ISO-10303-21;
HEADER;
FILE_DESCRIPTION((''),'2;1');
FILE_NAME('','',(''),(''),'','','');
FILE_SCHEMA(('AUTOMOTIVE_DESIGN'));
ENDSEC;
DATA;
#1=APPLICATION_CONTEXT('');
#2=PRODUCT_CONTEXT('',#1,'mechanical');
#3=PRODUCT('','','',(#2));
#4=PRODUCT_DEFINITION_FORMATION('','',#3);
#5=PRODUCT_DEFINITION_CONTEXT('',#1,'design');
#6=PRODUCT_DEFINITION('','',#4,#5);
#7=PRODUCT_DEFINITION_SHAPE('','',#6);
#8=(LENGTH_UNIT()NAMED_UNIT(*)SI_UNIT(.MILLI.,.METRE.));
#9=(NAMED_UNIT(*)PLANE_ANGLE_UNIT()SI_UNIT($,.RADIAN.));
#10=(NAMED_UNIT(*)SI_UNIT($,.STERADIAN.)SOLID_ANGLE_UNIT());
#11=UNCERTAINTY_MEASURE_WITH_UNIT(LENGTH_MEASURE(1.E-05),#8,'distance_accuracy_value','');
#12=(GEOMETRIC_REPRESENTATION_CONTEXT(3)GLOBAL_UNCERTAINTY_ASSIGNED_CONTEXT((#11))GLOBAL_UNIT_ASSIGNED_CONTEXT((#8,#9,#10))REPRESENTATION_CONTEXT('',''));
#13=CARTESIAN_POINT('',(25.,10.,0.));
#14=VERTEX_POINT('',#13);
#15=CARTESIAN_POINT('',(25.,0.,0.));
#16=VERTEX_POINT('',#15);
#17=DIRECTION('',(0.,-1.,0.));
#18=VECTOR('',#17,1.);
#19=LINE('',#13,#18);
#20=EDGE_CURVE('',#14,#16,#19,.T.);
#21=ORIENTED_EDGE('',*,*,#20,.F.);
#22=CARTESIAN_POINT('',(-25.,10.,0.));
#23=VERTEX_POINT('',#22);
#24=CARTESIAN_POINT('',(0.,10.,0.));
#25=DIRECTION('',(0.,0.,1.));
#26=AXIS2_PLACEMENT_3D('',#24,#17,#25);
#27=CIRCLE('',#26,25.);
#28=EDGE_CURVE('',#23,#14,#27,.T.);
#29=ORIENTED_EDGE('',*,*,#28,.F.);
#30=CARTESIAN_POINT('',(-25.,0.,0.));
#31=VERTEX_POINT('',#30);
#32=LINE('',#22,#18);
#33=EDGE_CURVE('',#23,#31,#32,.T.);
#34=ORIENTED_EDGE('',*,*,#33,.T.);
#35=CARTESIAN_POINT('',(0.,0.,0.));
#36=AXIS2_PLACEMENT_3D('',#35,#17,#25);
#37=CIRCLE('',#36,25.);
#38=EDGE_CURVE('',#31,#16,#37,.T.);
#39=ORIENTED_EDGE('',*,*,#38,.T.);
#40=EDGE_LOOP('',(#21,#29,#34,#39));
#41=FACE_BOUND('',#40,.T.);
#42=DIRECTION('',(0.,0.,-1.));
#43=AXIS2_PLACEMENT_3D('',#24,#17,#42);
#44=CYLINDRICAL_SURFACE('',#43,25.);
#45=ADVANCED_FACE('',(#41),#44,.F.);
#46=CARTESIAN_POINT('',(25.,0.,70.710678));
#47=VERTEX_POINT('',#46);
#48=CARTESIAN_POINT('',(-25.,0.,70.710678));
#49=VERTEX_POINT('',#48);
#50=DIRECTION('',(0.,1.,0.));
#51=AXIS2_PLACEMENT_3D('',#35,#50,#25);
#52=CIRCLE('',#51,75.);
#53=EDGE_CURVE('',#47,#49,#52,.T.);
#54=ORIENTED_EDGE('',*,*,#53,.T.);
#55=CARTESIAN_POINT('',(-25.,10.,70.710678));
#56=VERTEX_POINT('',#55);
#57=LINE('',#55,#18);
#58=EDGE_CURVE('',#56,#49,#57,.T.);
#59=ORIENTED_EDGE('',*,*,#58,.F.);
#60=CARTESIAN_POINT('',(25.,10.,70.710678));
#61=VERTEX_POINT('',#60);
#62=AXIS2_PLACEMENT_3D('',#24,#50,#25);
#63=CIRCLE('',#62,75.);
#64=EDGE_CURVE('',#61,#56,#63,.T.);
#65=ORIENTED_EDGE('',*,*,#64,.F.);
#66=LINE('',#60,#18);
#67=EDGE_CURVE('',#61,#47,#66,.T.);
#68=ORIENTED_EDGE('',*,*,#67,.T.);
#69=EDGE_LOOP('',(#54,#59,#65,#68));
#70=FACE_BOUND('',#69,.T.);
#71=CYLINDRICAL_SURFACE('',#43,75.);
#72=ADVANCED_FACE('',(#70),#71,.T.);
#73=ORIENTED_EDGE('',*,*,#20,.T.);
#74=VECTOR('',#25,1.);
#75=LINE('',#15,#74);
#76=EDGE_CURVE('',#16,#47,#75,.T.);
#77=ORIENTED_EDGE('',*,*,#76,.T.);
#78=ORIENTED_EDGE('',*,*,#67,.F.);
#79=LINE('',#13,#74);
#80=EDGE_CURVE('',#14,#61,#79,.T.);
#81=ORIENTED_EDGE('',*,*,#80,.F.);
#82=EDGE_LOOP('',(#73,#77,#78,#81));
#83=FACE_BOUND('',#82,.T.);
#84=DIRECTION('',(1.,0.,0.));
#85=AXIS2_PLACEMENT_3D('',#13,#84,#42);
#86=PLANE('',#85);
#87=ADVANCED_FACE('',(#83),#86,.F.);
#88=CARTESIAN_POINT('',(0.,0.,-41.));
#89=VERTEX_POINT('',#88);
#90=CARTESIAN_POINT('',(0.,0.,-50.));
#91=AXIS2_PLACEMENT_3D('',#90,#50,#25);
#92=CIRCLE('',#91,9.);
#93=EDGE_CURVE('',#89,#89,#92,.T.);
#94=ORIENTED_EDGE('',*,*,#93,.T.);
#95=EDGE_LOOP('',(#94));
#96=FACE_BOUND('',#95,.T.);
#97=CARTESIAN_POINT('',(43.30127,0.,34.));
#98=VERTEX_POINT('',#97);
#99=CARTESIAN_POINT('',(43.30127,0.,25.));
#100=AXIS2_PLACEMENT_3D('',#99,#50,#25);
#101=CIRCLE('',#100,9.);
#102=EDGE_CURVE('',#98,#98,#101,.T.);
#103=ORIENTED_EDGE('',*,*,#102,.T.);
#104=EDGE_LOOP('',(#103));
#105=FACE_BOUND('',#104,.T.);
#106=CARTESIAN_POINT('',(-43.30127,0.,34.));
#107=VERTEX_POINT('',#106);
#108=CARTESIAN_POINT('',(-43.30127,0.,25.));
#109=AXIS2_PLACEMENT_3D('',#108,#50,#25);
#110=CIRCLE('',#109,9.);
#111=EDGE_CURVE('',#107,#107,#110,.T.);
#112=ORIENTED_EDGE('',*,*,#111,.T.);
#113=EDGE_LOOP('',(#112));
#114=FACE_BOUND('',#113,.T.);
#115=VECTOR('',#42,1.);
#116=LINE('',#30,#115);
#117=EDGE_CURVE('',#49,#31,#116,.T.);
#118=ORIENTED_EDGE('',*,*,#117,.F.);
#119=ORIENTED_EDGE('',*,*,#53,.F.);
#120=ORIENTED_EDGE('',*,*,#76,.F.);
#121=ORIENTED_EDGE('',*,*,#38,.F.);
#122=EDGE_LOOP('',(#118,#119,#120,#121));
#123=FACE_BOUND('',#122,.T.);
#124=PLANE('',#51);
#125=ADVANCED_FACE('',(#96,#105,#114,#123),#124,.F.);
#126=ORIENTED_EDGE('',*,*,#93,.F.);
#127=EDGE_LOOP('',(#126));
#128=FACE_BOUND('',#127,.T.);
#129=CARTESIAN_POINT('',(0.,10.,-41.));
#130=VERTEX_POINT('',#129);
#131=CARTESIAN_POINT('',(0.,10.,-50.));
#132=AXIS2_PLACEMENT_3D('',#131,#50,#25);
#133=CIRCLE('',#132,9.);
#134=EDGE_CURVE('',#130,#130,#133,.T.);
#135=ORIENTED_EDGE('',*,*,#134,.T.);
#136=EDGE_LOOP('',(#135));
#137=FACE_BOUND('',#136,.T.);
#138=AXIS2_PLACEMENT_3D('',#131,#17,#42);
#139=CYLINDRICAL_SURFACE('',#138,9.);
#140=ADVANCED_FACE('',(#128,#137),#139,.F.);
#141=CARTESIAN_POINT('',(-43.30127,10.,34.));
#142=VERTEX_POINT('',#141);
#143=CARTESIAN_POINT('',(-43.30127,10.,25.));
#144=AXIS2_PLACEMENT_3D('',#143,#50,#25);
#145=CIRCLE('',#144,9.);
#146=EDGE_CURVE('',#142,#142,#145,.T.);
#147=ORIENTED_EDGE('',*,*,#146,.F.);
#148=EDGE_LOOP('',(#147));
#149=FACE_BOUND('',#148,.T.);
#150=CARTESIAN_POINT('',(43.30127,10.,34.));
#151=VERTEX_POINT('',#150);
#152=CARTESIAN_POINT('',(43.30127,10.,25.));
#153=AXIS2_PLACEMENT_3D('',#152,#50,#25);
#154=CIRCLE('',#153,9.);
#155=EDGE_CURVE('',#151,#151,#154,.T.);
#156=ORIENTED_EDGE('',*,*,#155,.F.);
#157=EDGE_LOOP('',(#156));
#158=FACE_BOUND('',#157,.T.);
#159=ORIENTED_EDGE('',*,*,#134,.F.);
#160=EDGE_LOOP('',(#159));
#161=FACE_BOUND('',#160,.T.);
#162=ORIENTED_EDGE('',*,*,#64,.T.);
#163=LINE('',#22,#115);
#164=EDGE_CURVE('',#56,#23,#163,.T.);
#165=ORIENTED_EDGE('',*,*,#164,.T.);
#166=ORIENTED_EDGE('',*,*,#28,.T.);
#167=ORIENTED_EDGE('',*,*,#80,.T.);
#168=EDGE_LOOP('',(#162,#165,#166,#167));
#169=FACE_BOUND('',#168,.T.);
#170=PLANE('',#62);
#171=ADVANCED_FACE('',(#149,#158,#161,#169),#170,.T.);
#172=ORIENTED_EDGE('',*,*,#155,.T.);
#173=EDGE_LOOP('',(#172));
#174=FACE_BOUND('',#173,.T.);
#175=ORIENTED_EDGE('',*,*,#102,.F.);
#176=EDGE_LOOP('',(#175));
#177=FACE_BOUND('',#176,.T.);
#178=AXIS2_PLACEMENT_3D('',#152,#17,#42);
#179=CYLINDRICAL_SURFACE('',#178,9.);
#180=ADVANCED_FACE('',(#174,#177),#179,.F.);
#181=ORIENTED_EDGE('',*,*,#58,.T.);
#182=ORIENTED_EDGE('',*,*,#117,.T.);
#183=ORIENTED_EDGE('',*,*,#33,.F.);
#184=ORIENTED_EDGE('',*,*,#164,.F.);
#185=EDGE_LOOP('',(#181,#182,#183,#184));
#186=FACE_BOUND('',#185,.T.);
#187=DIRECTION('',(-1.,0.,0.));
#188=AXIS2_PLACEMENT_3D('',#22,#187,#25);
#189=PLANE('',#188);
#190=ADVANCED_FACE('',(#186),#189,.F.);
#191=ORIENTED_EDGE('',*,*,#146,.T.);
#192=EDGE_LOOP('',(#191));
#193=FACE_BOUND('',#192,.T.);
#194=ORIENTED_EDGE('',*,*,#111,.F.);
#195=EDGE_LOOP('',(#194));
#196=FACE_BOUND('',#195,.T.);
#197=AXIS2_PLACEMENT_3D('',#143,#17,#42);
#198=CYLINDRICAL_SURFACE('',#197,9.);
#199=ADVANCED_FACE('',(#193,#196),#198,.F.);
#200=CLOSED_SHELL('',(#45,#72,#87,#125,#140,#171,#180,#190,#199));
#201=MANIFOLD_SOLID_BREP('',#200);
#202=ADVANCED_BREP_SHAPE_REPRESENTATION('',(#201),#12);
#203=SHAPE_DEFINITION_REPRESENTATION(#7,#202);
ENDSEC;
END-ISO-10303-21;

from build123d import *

# Parameters (mm, degrees)
SKETCH1_R           = 9
BOSS_EXTRUDE1_DEPTH = 10


with BuildPart() as part:
    # Sketch1 → Boss-Extrude1 (new body)
    with BuildSketch(Plane(origin=(0, 0, 0), x_dir=(1, 0, 0), z_dir=(0, 1, 0))):
        with BuildLine():
            Line((25, 0), (25, -70.710678119))
            ThreePointArc((25, -70.710678119), (0, 75), (-25, -70.710678119))
            Line((-25, -70.710678119), (-25, 0))
            ThreePointArc((-25, 0), (0, 25), (25, 0))
        make_face()
        with Locations(Location((0, 50, 0), (0, 0, 270))):
            Circle(SKETCH1_R, mode=Mode.SUBTRACT)
        with Locations(Location((43.301270189, -25, 0), (0, 0, 270))):
            Circle(SKETCH1_R, mode=Mode.SUBTRACT)
        with Locations(Location((-43.301270189, -25, 0), (0, 0, 270))):
            Circle(SKETCH1_R, mode=Mode.SUBTRACT)
    extrude(amount=BOSS_EXTRUDE1_DEPTH)


solid = part.part
